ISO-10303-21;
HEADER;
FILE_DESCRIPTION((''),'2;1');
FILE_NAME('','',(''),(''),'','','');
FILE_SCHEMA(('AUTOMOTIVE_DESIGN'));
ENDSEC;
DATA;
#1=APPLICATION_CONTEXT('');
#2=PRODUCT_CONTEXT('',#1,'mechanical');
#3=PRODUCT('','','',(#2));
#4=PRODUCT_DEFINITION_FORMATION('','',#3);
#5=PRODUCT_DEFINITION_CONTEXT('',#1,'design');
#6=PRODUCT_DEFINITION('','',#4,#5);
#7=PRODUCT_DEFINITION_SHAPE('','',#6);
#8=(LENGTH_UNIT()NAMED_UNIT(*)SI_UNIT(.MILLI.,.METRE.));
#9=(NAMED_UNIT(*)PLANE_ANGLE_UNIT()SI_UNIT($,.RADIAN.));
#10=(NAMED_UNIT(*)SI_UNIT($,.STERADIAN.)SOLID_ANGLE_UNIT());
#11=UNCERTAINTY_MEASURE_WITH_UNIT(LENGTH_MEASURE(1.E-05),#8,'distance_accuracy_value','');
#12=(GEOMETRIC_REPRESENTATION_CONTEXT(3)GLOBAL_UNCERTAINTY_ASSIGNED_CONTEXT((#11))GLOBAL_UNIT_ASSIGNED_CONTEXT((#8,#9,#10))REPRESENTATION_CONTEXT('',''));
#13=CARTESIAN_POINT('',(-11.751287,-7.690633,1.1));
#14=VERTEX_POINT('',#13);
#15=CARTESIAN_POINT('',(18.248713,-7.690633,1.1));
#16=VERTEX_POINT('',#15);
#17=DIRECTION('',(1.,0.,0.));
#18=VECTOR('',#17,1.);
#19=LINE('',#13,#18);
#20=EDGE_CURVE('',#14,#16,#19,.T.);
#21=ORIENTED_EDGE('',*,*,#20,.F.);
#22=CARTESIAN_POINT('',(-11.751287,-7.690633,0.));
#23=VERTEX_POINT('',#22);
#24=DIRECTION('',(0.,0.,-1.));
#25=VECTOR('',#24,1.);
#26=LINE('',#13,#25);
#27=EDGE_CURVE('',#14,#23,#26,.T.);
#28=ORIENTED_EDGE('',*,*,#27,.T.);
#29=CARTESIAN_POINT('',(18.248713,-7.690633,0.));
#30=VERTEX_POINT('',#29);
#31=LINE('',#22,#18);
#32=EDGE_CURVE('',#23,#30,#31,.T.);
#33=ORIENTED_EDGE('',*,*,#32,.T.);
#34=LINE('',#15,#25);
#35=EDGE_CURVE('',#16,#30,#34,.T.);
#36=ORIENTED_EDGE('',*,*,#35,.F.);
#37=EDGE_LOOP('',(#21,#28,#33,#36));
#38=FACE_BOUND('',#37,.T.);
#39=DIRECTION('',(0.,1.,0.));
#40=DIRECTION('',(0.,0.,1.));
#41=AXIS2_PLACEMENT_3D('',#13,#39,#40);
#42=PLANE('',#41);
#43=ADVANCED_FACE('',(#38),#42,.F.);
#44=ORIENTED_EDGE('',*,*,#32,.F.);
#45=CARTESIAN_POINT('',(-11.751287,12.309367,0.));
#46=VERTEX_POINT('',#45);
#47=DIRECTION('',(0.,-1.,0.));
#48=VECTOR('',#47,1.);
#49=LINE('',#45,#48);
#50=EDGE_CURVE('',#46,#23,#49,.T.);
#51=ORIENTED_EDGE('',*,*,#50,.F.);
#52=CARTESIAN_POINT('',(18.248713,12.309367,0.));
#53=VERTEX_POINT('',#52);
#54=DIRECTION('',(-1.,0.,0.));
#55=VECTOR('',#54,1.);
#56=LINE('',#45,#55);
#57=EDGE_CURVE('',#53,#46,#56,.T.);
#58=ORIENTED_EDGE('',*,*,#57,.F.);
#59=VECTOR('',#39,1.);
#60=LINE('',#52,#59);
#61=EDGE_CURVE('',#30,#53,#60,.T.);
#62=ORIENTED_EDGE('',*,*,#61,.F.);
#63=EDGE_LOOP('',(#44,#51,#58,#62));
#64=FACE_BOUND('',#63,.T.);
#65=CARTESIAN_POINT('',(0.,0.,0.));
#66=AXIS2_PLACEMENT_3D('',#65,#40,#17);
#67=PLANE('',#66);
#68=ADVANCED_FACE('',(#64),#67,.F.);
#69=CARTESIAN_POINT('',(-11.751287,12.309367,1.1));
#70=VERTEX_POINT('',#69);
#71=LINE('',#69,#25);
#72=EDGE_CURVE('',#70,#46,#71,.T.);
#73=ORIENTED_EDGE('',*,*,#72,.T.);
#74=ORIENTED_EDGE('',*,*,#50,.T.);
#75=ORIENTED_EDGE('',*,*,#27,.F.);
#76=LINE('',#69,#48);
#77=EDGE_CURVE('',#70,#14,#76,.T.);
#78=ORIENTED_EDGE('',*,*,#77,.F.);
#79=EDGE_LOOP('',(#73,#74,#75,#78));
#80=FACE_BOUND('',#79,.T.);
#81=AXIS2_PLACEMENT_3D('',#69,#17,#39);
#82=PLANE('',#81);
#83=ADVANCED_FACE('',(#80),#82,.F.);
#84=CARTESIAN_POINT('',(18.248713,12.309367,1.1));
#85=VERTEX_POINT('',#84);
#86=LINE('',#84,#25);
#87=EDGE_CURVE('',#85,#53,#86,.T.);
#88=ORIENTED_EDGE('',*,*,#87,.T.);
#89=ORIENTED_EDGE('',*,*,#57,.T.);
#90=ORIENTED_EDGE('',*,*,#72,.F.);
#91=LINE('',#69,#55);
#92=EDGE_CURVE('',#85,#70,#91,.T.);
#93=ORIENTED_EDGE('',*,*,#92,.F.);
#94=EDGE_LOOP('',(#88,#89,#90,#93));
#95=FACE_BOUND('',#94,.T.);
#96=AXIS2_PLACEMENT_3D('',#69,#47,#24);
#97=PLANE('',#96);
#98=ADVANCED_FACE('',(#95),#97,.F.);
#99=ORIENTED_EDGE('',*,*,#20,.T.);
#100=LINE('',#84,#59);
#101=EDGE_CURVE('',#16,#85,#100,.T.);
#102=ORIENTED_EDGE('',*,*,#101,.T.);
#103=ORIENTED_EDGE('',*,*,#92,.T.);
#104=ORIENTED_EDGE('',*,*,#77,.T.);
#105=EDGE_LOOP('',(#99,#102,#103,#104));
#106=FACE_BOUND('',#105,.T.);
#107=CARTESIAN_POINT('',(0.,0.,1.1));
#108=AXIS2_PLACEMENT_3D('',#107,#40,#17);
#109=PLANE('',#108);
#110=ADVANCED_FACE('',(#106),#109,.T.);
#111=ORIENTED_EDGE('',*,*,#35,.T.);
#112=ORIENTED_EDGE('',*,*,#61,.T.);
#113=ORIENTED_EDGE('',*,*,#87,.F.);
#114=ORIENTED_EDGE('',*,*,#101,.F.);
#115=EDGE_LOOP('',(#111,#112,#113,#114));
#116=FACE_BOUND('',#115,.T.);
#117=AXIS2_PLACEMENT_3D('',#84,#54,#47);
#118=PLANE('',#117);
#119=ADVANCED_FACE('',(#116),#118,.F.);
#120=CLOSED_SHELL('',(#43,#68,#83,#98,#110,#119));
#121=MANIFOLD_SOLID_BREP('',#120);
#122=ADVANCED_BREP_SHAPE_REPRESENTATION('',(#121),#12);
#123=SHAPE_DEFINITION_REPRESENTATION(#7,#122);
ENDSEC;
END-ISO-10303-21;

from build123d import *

# Parameters (mm, degrees)
SKETCH_1_W      = 30
SKETCH_1_H      = 20
EXTRUDE_1_DEPTH = 1.1


with BuildPart() as part:
    # 草图1 → 凸台-拉伸1 (new body)
    with BuildSketch(Plane.XY):
        with Locations((3.248713214, 2.309367287)):
            Rectangle(SKETCH_1_W, SKETCH_1_H)
    extrude(amount=EXTRUDE_1_DEPTH)


solid = part.part
